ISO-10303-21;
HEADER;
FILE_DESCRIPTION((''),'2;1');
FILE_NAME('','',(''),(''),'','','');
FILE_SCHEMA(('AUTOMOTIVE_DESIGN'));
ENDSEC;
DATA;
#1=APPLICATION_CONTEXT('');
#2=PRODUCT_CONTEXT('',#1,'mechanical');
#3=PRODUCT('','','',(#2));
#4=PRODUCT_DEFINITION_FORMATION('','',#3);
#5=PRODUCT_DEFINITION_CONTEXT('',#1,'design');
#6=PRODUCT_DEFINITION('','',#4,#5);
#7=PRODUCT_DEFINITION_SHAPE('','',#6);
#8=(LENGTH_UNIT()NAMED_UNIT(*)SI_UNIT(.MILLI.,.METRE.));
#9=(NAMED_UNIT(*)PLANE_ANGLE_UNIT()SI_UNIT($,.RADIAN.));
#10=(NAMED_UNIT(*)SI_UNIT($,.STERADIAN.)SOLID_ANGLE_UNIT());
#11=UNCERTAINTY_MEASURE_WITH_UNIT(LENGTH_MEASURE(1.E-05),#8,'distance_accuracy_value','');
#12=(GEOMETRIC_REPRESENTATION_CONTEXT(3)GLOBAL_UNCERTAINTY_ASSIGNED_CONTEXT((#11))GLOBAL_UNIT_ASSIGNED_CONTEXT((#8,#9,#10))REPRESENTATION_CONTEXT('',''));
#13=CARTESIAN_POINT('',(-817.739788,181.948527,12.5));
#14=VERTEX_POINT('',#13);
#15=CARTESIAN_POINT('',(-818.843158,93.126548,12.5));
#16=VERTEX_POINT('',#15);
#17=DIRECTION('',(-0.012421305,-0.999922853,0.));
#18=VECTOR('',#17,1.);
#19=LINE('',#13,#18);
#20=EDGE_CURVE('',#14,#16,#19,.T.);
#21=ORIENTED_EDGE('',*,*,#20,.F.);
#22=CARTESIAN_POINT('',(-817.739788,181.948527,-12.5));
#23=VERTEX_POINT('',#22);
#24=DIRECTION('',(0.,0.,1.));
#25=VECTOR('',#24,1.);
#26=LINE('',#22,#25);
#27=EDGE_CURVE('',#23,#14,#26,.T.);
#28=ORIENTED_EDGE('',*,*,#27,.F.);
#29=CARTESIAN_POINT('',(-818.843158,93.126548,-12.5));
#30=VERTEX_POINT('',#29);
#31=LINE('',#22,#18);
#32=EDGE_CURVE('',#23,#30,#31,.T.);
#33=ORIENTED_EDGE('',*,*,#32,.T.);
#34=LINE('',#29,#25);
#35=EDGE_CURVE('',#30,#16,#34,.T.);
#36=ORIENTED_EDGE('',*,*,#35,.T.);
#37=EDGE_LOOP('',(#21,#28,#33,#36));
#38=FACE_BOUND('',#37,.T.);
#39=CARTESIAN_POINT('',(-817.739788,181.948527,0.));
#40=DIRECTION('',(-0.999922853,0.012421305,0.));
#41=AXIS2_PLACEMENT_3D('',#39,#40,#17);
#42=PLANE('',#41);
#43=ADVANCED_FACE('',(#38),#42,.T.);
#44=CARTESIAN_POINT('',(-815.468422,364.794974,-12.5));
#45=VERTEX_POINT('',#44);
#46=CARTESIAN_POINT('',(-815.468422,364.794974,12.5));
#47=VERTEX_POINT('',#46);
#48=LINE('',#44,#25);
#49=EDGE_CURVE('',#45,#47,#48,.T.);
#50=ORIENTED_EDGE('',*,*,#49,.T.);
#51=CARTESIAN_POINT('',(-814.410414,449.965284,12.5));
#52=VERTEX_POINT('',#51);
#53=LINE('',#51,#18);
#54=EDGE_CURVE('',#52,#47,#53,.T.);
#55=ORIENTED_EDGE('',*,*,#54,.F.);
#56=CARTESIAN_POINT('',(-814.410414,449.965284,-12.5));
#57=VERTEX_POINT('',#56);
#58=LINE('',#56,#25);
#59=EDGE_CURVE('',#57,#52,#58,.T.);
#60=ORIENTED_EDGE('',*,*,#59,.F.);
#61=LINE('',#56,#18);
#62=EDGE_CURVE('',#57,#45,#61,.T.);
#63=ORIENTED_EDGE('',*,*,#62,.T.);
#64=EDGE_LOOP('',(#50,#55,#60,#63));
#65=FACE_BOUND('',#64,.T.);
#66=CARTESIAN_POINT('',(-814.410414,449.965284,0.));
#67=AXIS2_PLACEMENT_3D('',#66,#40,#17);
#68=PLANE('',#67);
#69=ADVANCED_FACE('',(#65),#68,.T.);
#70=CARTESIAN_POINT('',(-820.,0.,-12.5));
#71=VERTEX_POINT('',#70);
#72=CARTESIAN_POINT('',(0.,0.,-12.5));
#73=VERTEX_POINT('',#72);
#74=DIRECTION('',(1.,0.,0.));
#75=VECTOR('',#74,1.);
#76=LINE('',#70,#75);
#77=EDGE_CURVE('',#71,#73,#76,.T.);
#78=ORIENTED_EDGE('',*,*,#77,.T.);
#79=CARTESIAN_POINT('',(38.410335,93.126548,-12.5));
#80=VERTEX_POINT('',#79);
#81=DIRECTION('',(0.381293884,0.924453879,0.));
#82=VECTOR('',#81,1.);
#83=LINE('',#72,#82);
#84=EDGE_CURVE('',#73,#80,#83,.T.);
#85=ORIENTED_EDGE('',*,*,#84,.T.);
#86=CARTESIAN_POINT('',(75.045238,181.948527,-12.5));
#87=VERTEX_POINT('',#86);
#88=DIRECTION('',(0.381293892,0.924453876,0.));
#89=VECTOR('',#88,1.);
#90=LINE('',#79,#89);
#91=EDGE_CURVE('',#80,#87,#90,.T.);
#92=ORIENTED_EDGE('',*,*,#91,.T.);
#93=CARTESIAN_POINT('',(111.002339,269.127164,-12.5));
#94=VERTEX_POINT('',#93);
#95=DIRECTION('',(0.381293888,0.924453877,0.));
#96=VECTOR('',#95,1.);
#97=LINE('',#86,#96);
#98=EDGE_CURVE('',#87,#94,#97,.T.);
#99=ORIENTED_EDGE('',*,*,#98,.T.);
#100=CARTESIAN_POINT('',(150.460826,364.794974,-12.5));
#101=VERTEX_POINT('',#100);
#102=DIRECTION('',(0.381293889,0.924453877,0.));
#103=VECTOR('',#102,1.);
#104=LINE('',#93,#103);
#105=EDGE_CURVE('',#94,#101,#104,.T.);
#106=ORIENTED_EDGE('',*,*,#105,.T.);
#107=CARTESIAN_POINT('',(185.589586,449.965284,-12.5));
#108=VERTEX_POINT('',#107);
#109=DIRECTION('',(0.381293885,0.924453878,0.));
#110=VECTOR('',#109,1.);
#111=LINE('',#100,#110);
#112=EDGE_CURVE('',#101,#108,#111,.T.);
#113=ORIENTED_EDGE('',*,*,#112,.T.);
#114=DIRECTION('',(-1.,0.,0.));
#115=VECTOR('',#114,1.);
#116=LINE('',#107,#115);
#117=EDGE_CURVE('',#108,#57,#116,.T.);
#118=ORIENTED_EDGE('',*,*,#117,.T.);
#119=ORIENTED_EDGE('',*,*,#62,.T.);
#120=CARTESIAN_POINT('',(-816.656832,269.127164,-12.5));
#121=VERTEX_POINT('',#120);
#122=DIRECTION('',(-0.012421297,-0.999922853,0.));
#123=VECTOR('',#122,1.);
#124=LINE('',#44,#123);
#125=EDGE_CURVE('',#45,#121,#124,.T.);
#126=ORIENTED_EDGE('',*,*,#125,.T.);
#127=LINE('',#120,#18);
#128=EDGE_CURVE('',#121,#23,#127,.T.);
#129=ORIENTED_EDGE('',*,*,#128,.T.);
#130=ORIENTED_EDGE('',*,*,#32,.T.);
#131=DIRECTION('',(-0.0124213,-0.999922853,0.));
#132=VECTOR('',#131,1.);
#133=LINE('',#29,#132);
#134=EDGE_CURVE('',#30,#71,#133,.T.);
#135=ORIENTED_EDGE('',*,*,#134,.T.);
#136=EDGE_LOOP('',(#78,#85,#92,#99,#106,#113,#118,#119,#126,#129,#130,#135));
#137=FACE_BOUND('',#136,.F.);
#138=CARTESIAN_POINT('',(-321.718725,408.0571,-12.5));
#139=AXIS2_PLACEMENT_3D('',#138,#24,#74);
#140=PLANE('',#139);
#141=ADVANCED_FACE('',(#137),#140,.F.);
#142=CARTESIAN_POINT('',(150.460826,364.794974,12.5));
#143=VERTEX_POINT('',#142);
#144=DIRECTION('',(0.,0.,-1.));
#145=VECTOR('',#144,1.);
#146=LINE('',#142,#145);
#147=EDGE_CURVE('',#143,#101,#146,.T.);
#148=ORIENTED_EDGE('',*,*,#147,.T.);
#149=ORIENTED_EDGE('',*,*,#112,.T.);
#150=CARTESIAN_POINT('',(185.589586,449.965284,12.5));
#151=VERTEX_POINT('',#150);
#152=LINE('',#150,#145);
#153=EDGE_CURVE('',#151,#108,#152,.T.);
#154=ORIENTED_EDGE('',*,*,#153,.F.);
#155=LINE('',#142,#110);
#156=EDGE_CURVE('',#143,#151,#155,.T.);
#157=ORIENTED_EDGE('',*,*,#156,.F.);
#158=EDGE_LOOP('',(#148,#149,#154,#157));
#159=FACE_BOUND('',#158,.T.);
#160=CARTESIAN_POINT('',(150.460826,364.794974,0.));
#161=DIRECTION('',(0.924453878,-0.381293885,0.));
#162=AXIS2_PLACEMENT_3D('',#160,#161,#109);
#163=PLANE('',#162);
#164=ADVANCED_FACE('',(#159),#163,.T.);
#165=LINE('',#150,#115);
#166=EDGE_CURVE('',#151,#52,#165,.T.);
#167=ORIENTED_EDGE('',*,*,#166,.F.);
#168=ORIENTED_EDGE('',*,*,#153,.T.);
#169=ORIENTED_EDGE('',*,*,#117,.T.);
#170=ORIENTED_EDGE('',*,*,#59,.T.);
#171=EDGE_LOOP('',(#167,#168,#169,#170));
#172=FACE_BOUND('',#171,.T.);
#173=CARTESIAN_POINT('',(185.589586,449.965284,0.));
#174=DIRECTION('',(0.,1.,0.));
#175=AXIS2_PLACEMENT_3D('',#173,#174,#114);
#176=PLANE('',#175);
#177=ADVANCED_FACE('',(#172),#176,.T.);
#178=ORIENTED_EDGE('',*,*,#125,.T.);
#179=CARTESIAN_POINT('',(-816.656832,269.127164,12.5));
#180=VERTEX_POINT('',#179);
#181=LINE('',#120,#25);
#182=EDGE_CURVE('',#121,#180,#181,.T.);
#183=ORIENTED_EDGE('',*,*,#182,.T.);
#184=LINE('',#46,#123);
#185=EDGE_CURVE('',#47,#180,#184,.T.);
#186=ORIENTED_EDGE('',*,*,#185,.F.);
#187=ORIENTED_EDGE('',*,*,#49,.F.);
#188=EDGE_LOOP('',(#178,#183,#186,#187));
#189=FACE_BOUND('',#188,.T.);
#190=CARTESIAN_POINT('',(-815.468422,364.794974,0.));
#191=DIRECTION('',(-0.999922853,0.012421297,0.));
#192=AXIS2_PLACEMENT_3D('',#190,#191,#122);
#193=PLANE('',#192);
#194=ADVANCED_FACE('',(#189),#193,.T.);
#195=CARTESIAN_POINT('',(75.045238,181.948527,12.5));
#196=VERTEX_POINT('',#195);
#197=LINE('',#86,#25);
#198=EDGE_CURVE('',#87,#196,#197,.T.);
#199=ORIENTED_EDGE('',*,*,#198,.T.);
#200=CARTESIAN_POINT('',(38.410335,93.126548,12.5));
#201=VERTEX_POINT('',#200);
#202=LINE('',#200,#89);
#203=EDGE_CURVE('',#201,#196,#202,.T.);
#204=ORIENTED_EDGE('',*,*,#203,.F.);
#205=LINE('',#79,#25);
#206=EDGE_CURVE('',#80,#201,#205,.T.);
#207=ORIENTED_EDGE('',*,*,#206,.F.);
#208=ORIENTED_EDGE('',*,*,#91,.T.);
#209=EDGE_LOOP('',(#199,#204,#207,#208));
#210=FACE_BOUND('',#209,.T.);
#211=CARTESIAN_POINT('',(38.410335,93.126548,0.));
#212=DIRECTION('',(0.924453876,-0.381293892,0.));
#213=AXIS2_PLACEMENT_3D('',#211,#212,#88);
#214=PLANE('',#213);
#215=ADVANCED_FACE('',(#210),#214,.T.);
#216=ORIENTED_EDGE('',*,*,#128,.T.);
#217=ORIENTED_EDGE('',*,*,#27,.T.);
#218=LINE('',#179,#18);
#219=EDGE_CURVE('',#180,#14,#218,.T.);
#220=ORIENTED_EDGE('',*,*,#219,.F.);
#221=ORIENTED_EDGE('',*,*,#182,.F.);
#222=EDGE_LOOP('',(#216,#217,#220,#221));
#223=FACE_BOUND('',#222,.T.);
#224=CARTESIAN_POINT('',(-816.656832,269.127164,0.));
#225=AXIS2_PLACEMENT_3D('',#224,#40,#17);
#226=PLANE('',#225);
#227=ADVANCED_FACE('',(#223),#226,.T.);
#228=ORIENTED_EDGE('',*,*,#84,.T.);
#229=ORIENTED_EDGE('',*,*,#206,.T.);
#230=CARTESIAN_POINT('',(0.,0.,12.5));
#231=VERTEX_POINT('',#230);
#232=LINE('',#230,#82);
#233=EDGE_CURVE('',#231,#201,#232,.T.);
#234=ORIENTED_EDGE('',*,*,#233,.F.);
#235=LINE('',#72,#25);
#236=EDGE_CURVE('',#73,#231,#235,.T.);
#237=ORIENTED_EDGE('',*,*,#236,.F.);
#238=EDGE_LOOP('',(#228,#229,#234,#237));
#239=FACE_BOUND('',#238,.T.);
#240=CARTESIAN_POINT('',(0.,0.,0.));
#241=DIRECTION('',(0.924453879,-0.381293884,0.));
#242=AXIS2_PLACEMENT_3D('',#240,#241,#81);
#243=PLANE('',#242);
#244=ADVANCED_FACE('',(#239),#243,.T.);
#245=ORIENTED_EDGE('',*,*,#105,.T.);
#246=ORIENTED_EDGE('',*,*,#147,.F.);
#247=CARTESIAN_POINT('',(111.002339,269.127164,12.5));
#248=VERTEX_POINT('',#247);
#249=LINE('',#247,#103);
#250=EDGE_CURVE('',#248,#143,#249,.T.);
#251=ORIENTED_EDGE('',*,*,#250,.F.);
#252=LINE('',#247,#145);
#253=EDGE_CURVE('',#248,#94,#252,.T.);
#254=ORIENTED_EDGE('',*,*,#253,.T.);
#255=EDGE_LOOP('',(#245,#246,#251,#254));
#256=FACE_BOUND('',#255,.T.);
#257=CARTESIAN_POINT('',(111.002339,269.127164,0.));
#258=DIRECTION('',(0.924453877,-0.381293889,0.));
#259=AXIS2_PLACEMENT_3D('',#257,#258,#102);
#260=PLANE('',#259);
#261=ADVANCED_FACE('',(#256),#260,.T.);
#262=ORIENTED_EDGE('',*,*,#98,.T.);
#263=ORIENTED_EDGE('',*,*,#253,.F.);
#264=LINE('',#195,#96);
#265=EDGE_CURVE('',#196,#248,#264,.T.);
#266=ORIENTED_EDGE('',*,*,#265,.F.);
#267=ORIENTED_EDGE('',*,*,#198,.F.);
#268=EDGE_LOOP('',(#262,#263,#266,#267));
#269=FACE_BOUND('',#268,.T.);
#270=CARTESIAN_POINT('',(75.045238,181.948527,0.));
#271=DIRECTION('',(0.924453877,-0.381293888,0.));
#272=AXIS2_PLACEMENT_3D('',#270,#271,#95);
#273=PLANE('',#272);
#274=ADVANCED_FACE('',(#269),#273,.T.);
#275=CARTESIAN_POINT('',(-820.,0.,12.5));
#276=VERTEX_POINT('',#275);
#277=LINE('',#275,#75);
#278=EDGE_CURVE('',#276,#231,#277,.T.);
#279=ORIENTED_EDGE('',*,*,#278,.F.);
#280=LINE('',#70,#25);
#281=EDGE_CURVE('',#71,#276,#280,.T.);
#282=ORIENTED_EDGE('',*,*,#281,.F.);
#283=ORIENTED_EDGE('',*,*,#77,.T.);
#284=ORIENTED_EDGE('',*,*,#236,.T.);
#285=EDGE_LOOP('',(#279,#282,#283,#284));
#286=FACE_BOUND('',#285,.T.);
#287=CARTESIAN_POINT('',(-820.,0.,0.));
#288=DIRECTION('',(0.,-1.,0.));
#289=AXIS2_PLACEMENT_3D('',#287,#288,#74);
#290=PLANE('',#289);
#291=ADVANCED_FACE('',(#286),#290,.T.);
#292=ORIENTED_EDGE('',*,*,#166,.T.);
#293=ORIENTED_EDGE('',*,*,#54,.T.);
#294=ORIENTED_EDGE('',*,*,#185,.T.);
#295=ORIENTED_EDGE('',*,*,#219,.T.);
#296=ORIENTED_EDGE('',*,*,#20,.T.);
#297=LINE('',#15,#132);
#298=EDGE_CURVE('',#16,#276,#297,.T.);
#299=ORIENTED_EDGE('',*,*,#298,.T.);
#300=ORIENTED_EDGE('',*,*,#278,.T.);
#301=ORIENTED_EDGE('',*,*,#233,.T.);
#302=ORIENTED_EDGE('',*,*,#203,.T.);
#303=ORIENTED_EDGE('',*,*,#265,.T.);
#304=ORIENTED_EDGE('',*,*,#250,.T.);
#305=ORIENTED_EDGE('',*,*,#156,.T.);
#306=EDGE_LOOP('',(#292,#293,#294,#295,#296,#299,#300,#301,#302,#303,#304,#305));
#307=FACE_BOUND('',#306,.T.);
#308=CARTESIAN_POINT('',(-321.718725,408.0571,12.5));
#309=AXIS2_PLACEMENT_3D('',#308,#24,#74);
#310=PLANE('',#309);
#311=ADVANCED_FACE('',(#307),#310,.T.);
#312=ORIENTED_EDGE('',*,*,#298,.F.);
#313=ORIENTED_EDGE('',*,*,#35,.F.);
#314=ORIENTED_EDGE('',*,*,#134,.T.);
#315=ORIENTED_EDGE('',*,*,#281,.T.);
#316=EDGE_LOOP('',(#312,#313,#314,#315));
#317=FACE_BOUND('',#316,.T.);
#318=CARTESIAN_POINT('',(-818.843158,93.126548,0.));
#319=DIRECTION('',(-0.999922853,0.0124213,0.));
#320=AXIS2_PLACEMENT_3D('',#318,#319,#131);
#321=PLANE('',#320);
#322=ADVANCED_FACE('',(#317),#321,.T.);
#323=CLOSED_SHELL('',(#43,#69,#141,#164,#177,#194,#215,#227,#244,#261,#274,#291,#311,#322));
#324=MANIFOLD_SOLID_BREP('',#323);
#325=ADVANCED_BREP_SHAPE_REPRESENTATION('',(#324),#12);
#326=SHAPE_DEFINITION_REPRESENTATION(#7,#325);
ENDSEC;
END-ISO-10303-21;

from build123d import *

# Parameters (mm, degrees)
F2_DEPTH = 12.5


with BuildPart() as f2:
    # F0 (on Top) → F2 (new body, symmetric)
    with BuildSketch(Plane.XY):
        Polygon((185.589586, 449.965284), (-814.410414, 449.965284), (-815.468422, 364.794974), (150.460826, 364.794974), align=None)
        Polygon((150.460826, 364.794974), (-815.468422, 364.794974), (-816.656832, 269.127164), (111.002339, 269.127164), align=None)
        Polygon((75.045238, 181.948527), (-817.739788, 181.948527), (-818.843158, 93.126548), (38.410335, 93.126548), align=None)
        Polygon((111.002339, 269.127164), (-816.656832, 269.127164), (-817.739788, 181.948527), (75.045238, 181.948527), align=None)
        Polygon((38.410335, 93.126548), (-818.843158, 93.126548), (-820, 0), (0, 0), align=None)
    extrude(amount=F2_DEPTH, both=True)


solid = f2.part
